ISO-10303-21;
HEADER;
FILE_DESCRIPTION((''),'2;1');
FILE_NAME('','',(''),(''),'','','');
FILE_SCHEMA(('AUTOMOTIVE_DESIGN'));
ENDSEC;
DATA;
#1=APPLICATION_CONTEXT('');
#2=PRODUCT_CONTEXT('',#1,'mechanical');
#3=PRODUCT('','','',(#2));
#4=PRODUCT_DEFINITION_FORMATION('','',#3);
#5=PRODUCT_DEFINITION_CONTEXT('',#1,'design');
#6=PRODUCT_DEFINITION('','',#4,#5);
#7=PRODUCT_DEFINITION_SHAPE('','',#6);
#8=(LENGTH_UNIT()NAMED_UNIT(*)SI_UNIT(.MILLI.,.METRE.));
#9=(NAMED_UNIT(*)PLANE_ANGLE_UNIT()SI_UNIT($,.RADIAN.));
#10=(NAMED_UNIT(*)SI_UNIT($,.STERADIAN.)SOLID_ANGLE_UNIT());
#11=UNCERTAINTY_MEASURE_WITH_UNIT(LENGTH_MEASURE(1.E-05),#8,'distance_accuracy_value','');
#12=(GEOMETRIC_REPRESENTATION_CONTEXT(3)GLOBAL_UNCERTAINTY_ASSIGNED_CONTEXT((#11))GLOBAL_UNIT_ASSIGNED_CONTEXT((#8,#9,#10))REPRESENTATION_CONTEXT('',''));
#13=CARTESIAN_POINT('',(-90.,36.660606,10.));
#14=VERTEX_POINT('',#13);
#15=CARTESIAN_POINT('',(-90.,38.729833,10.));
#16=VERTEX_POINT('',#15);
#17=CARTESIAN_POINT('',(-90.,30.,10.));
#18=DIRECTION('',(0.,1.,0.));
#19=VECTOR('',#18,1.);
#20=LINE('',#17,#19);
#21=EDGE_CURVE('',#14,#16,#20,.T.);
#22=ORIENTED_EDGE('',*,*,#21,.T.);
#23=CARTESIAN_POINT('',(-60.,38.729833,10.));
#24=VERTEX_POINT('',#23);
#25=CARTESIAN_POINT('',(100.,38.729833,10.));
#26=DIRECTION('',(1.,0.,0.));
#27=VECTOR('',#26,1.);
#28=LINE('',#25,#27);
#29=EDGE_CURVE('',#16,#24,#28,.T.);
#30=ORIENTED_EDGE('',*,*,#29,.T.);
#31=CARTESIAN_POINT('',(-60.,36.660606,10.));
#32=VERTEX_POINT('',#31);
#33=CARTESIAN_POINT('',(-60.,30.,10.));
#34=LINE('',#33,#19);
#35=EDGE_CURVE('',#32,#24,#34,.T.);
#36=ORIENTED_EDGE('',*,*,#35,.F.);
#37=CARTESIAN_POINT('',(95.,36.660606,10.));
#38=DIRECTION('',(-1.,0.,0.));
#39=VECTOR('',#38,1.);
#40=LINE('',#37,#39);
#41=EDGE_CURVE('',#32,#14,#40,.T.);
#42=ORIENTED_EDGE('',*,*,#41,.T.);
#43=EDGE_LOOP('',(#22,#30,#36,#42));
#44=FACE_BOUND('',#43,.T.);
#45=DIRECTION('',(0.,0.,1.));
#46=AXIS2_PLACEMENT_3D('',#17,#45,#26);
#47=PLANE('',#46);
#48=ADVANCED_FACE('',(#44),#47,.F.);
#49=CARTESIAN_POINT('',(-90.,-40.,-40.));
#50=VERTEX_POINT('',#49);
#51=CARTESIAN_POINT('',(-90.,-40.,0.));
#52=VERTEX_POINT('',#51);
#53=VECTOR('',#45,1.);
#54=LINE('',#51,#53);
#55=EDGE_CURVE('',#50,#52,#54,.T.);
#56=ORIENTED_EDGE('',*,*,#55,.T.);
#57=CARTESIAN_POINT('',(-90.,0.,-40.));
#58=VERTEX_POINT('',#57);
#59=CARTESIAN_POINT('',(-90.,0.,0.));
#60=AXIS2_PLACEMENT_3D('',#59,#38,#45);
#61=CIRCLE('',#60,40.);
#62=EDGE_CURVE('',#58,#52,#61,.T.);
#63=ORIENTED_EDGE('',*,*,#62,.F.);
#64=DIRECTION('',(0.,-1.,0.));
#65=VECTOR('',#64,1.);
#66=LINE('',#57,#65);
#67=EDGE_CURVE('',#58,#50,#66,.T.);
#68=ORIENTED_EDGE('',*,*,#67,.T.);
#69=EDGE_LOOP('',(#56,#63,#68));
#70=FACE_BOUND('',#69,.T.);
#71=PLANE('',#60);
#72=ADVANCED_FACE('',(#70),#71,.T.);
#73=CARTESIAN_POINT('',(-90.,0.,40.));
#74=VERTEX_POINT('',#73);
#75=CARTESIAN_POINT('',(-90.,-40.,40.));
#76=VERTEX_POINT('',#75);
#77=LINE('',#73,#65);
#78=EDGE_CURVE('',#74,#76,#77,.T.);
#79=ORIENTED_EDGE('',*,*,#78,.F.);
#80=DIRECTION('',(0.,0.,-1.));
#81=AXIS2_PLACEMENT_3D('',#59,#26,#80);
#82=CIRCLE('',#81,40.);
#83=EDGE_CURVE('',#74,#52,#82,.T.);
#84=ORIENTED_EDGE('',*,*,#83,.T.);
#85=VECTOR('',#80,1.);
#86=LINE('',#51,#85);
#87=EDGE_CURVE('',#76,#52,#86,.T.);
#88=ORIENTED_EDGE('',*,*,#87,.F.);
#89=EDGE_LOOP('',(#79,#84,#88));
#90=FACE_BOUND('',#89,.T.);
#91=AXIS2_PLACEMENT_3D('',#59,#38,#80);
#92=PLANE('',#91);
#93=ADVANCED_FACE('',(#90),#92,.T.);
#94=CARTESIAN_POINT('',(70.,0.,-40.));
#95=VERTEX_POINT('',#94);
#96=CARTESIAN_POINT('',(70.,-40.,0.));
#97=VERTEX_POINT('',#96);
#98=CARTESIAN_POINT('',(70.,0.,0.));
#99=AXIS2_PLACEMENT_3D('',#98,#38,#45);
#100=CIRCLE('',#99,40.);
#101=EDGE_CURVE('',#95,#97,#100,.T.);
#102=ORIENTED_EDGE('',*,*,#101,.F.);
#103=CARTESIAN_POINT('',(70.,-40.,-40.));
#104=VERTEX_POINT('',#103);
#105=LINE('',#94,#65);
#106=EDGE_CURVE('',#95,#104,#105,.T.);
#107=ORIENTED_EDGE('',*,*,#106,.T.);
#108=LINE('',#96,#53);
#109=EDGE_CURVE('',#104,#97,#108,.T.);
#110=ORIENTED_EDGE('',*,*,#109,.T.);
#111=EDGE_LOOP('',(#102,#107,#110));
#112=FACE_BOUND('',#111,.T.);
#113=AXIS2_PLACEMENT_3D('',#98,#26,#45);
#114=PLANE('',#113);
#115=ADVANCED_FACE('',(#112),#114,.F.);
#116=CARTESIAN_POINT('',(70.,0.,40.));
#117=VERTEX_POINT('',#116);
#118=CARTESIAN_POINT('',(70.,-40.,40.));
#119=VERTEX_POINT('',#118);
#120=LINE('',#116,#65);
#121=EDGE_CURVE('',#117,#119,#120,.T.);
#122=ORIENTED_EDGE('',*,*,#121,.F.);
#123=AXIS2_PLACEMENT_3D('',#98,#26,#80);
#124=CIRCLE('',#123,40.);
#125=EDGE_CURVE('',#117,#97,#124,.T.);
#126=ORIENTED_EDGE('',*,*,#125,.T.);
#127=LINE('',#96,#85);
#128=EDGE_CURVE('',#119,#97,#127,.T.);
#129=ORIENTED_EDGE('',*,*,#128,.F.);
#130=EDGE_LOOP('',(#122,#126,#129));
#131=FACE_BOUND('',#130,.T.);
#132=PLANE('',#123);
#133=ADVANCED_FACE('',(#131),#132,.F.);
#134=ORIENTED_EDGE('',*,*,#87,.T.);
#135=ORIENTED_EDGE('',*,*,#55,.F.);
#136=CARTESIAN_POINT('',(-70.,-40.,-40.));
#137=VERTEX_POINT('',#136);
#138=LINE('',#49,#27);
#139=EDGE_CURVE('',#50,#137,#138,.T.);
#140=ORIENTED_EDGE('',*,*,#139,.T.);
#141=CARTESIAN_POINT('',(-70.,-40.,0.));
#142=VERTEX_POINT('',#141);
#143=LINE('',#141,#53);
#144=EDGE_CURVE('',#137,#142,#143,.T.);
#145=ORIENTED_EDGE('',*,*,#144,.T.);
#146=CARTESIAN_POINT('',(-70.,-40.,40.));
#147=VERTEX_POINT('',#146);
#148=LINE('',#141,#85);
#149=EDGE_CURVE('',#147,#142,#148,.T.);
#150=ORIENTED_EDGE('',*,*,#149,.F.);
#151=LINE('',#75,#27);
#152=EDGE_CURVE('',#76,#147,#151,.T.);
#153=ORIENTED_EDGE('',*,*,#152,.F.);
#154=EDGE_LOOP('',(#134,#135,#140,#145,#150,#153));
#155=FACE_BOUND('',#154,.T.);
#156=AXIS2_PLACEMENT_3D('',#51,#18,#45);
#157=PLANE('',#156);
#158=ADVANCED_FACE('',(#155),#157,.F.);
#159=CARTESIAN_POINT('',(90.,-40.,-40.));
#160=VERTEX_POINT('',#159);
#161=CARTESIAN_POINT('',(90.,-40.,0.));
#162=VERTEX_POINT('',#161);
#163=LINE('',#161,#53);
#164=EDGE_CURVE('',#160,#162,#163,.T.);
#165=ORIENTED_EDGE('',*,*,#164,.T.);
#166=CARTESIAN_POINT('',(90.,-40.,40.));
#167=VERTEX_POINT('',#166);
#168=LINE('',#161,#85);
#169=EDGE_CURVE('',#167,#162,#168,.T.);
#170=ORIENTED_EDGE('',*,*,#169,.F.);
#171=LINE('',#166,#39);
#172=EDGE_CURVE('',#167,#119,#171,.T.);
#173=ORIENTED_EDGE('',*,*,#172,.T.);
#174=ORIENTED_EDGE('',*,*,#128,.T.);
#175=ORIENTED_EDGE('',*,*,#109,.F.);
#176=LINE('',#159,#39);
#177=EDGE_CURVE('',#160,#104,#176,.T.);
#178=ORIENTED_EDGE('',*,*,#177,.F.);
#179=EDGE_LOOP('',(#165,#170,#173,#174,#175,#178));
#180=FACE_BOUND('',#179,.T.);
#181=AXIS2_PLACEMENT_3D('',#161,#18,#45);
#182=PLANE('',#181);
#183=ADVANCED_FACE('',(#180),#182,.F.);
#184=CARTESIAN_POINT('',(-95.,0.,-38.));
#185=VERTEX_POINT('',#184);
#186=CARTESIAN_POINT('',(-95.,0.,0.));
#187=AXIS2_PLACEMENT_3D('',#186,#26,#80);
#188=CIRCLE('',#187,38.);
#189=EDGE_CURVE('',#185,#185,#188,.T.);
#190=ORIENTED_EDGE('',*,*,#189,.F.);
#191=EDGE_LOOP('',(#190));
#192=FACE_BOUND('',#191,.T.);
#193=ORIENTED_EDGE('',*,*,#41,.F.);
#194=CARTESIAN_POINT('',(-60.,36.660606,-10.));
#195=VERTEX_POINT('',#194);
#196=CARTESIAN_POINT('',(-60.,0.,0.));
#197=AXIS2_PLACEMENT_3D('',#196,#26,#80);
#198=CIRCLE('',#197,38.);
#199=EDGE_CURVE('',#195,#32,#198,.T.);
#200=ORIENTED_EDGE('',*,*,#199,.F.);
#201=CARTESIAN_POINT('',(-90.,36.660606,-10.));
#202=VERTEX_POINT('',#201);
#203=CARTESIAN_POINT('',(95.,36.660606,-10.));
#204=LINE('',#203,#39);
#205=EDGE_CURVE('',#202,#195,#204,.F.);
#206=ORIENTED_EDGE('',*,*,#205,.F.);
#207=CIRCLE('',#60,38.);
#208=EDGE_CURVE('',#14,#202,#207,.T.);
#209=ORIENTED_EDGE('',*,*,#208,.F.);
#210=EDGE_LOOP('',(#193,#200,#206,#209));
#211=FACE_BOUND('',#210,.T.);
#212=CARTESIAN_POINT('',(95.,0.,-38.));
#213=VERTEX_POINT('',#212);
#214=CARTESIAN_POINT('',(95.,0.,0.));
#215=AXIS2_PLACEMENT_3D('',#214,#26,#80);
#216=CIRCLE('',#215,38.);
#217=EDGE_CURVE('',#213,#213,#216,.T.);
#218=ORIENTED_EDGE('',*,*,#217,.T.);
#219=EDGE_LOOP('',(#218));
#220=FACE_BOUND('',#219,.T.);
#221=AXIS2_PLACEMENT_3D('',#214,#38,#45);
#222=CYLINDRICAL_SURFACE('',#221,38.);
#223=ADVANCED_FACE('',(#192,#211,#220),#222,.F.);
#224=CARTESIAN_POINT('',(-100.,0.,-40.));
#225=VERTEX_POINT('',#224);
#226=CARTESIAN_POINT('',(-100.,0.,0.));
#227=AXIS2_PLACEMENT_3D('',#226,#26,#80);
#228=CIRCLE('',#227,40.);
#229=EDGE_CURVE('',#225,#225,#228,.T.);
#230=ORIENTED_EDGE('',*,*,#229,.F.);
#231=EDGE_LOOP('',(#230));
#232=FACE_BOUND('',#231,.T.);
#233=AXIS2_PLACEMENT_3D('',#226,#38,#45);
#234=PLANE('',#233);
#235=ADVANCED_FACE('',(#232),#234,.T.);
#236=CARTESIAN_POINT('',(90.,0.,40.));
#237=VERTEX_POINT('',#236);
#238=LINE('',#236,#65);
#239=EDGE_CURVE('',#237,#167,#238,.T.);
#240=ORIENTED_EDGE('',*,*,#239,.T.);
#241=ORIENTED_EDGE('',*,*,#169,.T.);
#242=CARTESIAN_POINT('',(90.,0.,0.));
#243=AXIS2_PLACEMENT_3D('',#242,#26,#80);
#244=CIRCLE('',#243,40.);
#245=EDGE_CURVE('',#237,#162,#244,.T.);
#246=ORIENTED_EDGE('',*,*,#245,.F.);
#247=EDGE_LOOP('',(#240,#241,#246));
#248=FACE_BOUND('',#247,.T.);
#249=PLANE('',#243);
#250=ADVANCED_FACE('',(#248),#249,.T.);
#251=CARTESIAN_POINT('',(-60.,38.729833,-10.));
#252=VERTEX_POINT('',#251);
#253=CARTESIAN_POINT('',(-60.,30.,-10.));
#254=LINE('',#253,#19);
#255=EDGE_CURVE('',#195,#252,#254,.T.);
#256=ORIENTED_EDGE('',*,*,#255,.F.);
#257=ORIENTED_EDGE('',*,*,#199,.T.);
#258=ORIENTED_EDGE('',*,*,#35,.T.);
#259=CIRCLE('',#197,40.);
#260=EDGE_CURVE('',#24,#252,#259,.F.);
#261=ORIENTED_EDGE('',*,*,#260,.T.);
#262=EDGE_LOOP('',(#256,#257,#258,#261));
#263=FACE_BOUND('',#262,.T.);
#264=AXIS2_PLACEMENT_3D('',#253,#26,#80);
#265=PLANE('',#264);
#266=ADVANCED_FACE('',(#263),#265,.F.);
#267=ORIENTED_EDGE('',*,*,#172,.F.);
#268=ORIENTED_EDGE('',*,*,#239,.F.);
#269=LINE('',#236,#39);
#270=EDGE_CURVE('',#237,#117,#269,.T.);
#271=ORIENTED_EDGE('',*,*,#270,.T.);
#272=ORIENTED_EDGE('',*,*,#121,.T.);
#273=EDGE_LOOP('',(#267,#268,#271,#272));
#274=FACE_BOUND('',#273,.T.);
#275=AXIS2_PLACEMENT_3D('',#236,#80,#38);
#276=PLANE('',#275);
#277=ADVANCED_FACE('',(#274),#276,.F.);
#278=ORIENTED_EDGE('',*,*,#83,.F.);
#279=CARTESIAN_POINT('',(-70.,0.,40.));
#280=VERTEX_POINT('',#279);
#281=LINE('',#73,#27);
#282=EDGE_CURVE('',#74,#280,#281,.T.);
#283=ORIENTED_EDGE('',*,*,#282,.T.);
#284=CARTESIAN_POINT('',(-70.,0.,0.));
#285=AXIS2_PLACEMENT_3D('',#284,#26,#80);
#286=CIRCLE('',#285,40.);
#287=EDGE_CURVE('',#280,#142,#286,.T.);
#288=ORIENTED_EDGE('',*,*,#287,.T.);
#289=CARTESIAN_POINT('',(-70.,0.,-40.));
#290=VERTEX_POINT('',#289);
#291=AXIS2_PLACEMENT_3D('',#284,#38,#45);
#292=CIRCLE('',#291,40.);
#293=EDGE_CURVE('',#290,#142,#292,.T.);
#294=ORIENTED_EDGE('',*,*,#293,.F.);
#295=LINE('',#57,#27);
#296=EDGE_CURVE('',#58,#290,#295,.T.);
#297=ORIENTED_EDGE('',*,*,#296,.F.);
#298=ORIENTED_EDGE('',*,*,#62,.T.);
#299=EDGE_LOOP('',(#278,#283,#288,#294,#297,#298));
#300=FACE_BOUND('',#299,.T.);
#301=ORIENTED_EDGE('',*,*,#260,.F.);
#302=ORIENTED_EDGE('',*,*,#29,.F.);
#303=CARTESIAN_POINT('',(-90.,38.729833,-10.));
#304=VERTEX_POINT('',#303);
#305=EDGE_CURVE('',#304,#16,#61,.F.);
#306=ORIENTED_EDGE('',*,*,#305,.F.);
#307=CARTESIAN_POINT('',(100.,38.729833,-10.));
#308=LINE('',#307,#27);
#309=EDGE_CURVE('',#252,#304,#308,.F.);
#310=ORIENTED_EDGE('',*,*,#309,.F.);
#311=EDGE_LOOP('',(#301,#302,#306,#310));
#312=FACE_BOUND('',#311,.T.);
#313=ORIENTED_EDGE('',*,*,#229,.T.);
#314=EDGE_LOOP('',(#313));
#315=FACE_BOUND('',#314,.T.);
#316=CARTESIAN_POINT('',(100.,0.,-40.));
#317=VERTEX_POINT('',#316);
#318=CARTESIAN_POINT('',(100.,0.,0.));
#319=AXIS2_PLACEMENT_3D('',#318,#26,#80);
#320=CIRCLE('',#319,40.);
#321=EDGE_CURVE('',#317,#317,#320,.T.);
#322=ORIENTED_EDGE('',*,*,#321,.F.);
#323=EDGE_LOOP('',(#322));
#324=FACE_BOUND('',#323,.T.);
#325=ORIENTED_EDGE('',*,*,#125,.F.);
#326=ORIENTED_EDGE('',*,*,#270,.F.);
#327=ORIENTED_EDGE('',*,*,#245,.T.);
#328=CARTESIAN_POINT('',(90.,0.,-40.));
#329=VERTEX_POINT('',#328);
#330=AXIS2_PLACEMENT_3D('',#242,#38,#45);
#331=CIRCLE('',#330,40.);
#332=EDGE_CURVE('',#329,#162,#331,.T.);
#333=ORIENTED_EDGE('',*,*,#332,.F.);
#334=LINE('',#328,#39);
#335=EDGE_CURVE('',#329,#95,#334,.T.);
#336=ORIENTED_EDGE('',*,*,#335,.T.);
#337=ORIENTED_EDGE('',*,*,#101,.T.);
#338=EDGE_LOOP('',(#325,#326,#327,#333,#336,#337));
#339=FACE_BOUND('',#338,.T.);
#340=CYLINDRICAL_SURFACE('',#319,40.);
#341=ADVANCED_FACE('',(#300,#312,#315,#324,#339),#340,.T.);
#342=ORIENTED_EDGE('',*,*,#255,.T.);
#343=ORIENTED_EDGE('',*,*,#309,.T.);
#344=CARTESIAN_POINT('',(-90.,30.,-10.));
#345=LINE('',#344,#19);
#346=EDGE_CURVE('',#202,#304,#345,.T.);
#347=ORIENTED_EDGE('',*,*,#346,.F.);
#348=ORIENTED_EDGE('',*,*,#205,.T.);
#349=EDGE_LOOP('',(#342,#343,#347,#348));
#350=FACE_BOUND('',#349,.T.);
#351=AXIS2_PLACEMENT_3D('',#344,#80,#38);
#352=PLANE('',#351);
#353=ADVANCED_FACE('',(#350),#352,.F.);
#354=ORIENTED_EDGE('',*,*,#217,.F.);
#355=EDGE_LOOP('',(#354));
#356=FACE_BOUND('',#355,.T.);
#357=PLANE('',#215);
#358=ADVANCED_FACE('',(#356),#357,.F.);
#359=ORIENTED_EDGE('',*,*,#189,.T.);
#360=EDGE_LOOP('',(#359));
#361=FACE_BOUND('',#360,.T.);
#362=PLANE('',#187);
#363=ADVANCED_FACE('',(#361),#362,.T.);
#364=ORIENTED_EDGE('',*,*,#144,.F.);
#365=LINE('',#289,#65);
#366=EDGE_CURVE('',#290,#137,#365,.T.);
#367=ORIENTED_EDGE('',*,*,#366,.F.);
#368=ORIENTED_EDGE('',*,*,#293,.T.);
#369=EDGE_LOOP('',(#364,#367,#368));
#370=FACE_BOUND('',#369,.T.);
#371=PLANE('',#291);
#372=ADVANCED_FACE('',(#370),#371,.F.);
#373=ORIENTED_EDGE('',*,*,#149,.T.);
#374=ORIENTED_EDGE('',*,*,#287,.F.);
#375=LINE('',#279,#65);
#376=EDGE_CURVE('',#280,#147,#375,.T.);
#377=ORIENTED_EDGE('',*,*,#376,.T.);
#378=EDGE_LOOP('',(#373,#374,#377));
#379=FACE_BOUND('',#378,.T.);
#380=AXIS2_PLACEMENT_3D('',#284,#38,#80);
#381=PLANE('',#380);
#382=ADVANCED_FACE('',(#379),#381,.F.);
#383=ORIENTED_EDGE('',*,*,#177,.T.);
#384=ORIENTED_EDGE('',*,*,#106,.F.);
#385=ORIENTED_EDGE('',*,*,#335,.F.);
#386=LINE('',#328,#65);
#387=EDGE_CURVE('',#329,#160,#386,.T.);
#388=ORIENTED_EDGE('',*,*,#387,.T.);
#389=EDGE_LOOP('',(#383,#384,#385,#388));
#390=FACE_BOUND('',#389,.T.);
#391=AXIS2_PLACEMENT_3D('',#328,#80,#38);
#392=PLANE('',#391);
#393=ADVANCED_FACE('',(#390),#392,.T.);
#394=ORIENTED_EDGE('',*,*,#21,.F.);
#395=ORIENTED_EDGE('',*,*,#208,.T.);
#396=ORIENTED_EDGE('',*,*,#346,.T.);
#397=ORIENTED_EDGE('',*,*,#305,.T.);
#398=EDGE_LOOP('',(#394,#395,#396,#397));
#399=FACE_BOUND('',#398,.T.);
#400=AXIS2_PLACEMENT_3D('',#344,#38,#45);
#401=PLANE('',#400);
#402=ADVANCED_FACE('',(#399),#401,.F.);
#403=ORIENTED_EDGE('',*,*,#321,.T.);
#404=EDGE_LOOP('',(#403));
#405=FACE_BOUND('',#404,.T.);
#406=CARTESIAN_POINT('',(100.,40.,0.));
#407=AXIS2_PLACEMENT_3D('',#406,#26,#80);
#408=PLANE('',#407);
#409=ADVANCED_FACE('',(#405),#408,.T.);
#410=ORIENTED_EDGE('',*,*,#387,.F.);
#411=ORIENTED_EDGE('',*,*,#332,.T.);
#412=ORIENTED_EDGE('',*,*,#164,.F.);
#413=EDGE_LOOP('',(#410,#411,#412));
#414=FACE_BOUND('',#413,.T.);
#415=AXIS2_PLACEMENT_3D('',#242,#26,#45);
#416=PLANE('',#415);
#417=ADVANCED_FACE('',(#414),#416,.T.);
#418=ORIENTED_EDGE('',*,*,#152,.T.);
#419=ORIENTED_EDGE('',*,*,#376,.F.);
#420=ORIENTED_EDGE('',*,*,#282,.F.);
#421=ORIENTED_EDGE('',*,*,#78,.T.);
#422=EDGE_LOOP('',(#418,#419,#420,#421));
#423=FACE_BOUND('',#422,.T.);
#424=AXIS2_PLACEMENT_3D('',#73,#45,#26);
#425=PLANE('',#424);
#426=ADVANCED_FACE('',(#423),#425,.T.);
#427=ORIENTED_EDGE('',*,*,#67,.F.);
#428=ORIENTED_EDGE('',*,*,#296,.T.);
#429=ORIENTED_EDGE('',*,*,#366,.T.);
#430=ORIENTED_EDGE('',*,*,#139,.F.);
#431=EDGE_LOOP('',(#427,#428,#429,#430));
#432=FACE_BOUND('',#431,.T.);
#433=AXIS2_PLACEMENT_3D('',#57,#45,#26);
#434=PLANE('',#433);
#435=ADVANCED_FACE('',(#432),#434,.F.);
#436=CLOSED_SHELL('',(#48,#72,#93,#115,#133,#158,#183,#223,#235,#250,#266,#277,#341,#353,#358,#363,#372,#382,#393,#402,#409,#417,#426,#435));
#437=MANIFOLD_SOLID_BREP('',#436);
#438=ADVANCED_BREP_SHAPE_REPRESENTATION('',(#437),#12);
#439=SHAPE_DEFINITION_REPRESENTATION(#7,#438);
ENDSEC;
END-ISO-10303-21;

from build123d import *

# Parameters (mm, degrees)
IZIM1_W                     = 200
IZIM1_H                     = 40
IZIM2_R                     = 38
KES_EKSTR_ZYON2_DEPTH       = 190
IZIM3_W                     = 30
IZIM3_H                     = 20
KES_EKSTR_ZYON3_DEPTH       = 10
Y_KSEKLIK_EKSTR_ZYON1_DEPTH = 10
AYNALAMA2_COPY_1_DEPTH      = 10


with BuildPart() as part:
    # Çizim1 → Döndür1 (revolve)
    with BuildSketch(Plane.XY):
        with Locations((0, 20)):
            Rectangle(IZIM1_W, IZIM1_H)
    revolve(axis=Axis((100, 0, 0), (-1, 0, 0)))

    # Çizim2 → Kes-Ekstrüzyon2 (cut)
    with BuildSketch(Plane(origin=(-95, 0, 0), x_dir=(0, 0, -1), z_dir=(1, 0, 0))):
        Circle(IZIM2_R)
    extrude(amount=KES_EKSTR_ZYON2_DEPTH, mode=Mode.SUBTRACT)

    # Çizim3 → Kes-Ekstrüzyon3 (cut)
    with BuildSketch(Plane(origin=(0, 40, 0), x_dir=(1, 0, 0), z_dir=(0, 1, 0))):
        with Locations((-75, 0)):
            Rectangle(IZIM3_W, IZIM3_H)
    extrude(amount=-KES_EKSTR_ZYON3_DEPTH, mode=Mode.SUBTRACT)

    # Çizim5 → Yükseklik-Ekstrüzyon1 (add, symmetric)
    with BuildSketch(Plane(origin=(80, 0, 0), x_dir=(0, 0, -1), z_dir=(1, 0, 0))):
        with BuildLine():
            ThreePointArc((0, -40), (-28.284271247, -28.284271247), (-40, 0))
            Line((-40, 0), (-40, -40))
            Line((-40, -40), (0, -40))
        make_face()
    y_kseklik_ekstr_zyon1 = extrude(amount=Y_KSEKLIK_EKSTR_ZYON1_DEPTH, both=True)

    # Aynalama1: Yükseklik-Ekstrüzyon1 across plane
    add(y_kseklik_ekstr_zyon1.mirror(Plane.XY))

    # Aynalama2: Yükseklik-Ekstrüzyon1 across plane
    add(y_kseklik_ekstr_zyon1.mirror(Plane(origin=(0, 0, 0), x_dir=(0, 0, 1), z_dir=(1, 0, 0))))

    # Aynalama2 copy 1 sketch → Aynalama2 copy 1 (add, symmetric)
    with BuildSketch(Plane.ZY.offset(80)):
        with BuildLine():
            ThreePointArc((0, -40), (-28.284271247, -28.284271247), (-40, 0))
            Line((-40, 0), (-40, -40))
            Line((-40, -40), (0, -40))
        make_face()
    extrude(amount=AYNALAMA2_COPY_1_DEPTH, both=True)


solid = part.part
